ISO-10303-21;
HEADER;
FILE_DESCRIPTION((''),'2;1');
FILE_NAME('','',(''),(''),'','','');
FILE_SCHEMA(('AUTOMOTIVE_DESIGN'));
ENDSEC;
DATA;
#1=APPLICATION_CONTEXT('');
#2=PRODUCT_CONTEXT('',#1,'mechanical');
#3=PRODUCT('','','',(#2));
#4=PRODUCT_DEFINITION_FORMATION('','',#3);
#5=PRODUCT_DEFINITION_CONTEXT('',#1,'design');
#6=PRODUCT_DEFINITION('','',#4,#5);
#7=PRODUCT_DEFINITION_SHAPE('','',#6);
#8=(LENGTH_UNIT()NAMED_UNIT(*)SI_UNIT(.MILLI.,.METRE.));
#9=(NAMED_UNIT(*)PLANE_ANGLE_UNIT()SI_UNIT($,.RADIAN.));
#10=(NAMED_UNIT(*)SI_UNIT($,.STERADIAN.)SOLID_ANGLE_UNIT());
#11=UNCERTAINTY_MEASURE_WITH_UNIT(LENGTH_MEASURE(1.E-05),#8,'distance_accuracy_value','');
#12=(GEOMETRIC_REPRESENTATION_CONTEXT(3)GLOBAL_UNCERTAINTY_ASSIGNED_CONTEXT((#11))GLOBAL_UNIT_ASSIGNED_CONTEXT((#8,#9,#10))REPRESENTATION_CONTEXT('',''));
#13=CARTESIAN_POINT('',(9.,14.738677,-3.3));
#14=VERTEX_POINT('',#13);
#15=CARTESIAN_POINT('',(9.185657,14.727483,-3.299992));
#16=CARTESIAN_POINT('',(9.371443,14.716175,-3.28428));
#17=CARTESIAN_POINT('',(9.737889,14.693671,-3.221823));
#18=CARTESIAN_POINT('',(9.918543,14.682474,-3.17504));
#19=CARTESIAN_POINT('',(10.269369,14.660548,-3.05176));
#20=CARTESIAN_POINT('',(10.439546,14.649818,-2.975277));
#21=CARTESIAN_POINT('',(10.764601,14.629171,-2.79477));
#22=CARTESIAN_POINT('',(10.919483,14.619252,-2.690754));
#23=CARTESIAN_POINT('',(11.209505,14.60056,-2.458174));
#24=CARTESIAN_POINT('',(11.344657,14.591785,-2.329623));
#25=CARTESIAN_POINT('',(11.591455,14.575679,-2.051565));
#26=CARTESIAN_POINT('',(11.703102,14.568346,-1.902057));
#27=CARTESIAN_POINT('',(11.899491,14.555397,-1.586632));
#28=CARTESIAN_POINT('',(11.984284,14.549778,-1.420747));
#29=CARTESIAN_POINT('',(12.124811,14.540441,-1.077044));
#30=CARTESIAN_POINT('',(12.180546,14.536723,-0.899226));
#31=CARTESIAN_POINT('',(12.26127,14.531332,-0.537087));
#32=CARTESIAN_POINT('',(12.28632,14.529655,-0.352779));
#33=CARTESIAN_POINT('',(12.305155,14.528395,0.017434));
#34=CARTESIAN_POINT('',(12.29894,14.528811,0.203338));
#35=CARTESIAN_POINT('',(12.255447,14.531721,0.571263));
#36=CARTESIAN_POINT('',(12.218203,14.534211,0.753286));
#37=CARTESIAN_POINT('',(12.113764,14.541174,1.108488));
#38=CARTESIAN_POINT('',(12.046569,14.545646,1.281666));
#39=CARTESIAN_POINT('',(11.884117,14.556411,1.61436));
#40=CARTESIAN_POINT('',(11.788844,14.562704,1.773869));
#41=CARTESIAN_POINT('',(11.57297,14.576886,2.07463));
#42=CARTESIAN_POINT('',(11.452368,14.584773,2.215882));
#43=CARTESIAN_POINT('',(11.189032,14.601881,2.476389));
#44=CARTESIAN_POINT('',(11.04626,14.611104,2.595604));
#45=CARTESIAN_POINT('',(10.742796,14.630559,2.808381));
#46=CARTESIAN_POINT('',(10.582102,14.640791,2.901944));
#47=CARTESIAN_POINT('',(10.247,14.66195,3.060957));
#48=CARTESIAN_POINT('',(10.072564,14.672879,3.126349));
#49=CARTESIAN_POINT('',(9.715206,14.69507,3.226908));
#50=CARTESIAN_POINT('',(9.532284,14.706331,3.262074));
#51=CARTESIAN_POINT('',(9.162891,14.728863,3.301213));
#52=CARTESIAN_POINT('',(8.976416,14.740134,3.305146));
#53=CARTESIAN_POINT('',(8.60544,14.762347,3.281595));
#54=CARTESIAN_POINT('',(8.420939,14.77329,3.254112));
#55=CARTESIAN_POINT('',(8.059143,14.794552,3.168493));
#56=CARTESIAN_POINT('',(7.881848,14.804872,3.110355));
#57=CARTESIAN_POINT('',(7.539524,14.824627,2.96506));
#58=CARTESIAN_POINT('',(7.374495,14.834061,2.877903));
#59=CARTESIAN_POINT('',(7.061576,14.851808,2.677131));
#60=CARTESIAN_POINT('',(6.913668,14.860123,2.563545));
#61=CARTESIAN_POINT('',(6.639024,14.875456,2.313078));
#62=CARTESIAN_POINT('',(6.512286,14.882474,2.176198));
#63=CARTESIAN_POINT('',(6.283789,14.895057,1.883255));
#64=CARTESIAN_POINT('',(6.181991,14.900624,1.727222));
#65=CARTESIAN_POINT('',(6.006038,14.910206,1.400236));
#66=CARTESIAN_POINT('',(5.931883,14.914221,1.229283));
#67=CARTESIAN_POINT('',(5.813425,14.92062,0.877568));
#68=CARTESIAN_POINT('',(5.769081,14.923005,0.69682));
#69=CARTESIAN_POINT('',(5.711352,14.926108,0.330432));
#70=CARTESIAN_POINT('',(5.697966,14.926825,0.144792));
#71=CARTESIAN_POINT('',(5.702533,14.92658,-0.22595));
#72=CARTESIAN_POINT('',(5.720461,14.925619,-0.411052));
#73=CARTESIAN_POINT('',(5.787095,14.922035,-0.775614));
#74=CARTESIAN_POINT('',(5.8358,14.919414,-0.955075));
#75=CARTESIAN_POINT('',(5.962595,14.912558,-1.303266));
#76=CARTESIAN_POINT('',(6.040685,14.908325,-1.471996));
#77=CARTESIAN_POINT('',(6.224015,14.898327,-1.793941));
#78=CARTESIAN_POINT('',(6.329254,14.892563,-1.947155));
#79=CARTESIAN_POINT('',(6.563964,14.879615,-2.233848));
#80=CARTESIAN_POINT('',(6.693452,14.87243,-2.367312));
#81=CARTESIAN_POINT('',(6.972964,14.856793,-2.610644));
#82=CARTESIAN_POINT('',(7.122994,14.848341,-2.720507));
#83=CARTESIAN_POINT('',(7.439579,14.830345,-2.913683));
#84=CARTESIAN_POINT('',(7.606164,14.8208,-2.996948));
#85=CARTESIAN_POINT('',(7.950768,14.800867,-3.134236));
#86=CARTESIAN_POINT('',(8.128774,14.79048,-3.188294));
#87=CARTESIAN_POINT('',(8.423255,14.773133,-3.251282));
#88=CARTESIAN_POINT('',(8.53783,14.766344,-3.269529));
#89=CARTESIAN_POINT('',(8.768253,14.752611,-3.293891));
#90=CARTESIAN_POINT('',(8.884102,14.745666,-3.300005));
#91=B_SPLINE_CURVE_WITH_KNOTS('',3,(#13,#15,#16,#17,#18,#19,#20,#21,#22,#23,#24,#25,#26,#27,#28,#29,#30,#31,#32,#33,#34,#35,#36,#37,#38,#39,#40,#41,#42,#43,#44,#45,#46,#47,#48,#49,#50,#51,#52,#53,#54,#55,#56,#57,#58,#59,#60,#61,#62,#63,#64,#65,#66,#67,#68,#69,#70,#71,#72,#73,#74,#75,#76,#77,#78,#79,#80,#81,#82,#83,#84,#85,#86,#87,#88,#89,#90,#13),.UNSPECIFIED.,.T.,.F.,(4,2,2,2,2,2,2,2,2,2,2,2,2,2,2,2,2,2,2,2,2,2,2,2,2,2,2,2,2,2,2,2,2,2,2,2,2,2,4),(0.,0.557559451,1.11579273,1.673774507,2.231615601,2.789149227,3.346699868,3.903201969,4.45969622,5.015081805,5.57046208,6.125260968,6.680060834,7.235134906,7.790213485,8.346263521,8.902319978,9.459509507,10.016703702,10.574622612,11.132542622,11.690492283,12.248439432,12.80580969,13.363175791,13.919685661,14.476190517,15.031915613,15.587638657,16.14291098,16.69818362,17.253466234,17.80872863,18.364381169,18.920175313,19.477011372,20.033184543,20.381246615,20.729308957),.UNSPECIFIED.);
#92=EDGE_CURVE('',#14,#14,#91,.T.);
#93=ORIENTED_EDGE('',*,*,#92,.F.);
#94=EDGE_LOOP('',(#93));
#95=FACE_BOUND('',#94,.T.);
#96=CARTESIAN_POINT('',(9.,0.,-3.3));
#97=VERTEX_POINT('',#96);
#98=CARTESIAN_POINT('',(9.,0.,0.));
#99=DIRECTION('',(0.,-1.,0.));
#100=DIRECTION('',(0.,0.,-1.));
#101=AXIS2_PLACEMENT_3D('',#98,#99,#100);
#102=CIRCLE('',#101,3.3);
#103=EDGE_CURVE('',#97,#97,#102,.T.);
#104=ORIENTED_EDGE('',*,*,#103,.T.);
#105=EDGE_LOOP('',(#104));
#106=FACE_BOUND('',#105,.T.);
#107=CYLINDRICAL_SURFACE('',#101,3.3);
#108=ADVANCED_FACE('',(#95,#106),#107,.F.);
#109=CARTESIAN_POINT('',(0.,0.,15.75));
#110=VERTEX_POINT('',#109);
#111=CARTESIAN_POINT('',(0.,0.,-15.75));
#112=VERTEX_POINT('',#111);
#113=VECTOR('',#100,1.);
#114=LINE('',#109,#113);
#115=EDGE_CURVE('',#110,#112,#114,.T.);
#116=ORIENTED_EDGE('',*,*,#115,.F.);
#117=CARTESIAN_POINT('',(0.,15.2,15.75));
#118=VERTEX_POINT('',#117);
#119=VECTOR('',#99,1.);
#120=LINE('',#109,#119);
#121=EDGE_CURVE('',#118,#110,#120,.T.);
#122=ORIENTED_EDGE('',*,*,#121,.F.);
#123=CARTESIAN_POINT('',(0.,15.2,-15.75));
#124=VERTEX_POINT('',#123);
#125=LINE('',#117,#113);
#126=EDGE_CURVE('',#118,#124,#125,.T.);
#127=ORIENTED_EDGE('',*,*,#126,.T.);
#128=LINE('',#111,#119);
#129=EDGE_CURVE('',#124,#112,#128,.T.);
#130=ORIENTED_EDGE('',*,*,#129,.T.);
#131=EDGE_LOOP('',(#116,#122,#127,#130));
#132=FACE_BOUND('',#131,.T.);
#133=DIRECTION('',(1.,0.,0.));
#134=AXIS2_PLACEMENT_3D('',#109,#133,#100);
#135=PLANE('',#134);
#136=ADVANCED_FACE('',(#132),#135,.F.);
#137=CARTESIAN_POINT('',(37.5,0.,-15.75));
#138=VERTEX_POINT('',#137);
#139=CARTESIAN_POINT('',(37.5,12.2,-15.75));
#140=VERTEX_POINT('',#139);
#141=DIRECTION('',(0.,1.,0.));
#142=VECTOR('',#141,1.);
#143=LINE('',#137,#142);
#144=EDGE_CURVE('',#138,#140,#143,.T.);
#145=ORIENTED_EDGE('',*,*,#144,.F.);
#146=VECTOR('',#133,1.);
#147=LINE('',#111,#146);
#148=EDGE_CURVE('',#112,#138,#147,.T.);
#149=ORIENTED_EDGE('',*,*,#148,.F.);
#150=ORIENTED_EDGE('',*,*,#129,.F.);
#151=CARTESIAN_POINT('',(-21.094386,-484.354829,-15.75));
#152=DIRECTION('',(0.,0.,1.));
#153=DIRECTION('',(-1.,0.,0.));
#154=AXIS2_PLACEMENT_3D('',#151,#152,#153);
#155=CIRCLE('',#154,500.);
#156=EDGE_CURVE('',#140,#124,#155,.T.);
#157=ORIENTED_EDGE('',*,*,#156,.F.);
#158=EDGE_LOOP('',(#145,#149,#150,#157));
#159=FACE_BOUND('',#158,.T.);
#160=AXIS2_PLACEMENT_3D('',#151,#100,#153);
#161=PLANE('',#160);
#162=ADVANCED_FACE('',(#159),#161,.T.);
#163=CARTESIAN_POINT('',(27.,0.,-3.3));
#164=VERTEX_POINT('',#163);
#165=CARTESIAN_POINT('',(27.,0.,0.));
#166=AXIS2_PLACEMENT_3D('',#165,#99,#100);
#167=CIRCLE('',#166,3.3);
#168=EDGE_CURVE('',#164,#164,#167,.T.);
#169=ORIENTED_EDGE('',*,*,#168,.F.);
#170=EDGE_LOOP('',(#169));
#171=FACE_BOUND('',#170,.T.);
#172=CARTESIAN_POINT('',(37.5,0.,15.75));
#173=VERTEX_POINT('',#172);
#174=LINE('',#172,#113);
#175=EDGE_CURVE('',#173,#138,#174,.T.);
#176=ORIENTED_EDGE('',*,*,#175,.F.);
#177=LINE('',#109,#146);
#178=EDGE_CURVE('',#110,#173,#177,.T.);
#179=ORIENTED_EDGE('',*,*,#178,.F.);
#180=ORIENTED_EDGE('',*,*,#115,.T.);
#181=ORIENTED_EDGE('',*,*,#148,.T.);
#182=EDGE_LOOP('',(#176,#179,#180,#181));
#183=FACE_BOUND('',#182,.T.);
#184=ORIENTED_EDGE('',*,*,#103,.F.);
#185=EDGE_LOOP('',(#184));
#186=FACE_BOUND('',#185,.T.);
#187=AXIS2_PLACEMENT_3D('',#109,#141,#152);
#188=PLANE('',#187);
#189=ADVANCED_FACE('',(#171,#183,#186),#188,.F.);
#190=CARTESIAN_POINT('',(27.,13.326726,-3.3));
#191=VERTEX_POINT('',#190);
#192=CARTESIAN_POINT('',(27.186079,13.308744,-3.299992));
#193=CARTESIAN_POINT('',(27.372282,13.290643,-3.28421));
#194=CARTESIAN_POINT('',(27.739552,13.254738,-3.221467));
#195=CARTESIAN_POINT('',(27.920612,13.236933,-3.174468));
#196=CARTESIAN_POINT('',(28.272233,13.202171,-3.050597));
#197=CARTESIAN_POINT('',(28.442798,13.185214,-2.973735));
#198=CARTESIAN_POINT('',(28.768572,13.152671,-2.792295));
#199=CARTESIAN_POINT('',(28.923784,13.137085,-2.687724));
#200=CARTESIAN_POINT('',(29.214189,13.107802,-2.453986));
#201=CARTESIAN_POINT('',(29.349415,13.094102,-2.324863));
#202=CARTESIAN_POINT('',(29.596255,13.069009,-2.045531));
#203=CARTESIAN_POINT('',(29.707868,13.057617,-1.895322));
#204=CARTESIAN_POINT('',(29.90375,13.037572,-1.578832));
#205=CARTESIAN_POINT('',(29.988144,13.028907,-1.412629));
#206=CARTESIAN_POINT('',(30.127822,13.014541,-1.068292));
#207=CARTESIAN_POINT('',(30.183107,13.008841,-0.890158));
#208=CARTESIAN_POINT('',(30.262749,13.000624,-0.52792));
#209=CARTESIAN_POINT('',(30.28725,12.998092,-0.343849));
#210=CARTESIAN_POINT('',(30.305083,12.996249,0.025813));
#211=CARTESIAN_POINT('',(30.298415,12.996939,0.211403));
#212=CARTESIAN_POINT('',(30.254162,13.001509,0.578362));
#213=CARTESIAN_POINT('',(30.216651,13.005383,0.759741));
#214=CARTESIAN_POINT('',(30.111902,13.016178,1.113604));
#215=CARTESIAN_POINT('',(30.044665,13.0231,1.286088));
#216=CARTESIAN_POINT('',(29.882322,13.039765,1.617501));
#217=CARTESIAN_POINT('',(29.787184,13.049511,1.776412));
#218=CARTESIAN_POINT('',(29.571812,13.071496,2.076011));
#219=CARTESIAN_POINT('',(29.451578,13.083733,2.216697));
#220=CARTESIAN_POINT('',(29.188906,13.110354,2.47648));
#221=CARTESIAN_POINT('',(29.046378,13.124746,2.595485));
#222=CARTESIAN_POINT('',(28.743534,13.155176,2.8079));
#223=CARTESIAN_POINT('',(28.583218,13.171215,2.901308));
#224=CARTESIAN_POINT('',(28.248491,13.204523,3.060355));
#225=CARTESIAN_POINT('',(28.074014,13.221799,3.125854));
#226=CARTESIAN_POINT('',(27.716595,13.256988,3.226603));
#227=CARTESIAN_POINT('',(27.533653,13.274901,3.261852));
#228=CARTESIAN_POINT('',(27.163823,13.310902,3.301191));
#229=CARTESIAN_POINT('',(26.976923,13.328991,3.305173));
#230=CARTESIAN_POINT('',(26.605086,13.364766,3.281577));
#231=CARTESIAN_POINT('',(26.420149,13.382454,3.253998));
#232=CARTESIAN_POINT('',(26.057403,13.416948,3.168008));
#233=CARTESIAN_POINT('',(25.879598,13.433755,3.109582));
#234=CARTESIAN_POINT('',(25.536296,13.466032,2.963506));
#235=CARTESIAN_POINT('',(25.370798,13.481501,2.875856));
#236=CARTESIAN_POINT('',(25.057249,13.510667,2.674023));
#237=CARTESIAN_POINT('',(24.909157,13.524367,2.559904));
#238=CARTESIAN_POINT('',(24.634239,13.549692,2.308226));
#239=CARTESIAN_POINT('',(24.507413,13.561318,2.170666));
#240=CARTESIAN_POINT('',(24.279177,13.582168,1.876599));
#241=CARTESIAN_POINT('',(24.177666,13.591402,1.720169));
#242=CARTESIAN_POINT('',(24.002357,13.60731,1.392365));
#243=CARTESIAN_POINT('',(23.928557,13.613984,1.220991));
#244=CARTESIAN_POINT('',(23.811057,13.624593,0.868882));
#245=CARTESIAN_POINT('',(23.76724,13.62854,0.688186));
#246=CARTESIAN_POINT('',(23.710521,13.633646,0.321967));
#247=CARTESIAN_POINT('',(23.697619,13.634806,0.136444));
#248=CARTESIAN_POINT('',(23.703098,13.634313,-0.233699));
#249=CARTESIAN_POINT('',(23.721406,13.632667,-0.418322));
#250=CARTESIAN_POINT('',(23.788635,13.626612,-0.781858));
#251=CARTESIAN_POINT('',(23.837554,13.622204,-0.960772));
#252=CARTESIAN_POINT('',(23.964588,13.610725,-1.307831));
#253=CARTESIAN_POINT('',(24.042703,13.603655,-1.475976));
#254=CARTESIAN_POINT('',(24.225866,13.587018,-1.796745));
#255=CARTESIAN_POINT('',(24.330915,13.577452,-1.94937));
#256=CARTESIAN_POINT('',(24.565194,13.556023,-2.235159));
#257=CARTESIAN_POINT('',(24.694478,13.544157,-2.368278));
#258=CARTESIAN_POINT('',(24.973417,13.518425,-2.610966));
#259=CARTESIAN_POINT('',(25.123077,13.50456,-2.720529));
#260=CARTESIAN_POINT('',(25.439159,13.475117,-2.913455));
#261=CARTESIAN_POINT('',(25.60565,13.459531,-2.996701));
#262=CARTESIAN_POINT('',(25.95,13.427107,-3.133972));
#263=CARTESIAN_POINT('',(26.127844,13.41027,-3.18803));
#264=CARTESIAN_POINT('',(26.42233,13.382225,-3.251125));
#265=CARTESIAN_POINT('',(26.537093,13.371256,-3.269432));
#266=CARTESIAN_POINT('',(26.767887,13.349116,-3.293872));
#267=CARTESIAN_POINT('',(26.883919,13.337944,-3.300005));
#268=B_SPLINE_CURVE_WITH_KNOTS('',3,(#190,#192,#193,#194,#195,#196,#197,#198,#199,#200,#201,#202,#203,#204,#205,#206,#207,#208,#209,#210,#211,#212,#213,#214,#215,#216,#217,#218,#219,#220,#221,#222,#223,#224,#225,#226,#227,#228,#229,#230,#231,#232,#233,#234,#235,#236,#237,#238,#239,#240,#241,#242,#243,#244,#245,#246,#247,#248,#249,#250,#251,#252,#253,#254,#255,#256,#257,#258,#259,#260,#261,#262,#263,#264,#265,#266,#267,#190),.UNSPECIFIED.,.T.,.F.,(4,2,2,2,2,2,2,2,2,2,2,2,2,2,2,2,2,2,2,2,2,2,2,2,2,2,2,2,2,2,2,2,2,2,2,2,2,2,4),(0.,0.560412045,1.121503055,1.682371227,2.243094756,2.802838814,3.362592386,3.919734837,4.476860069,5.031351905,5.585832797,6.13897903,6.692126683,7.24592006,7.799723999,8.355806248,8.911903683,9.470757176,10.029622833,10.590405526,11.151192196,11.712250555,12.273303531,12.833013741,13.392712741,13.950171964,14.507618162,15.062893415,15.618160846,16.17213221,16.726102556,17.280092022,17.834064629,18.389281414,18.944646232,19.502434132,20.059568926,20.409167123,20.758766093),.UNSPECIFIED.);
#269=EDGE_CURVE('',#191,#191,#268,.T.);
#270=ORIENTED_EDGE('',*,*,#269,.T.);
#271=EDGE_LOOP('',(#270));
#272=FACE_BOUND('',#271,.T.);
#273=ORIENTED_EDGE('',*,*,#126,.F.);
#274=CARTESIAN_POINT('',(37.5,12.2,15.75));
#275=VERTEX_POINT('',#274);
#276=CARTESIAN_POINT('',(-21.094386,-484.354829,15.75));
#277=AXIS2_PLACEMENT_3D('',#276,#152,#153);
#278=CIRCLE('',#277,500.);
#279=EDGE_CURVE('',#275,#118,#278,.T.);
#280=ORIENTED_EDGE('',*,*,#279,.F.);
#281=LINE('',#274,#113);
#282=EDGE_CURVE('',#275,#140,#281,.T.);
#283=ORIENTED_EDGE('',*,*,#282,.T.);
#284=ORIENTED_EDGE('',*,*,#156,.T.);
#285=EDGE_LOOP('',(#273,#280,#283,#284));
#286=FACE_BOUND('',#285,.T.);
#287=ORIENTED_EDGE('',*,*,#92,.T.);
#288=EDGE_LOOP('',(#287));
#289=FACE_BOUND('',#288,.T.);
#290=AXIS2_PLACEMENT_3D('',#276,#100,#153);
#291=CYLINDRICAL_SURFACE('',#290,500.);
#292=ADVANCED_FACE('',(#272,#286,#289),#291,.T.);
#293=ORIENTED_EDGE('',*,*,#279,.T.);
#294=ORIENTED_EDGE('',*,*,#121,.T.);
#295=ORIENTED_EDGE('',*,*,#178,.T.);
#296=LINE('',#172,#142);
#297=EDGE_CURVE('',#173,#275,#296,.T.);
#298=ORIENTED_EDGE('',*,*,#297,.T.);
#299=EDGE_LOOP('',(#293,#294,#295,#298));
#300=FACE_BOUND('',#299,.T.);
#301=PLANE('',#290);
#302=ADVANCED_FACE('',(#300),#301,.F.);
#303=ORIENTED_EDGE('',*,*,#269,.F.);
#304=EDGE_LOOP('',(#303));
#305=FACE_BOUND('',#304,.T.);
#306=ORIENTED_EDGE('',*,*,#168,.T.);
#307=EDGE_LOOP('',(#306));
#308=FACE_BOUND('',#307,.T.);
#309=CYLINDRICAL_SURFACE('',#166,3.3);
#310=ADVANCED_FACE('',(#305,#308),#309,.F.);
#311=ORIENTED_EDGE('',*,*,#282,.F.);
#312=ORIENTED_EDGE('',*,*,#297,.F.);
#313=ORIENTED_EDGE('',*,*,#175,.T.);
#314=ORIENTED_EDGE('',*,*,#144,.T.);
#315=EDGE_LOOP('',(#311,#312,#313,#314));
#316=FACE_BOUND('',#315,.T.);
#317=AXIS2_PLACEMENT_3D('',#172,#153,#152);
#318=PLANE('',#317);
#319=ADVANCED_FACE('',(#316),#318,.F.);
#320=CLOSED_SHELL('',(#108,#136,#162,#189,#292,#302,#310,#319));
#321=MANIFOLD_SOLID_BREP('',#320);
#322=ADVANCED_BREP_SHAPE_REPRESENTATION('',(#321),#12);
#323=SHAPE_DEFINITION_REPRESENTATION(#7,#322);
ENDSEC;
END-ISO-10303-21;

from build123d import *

# Parameters (mm, degrees)
BOSS_EXTRU_1_DEPTH = 15.75
D_GAGEMENT_M61_D   = 6.6


with BuildPart() as part:
    # Esquisse1 → Boss.-Extru.1 (new body, symmetric)
    with BuildSketch(Plane.XY):
        with BuildLine():
            Line((0, 0), (37.5, 0))
            Line((37.5, 0), (37.5, 12.2))
            ThreePointArc((37.5, 12.2), (18.778224846, 14.052810579), (0, 15.2))
            Line((0, 15.2), (0, 0))
        make_face()
    extrude(amount=BOSS_EXTRU_1_DEPTH, both=True)

    # Dégagement M61 (through all)
    with Locations(Plane(origin=(0, 0, 0), x_dir=(-1, 0, 0), z_dir=(0, -1, 0))):
        with Locations((-9, 0), (-27, 0)):
            Hole(D_GAGEMENT_M61_D / 2)


solid = part.part
